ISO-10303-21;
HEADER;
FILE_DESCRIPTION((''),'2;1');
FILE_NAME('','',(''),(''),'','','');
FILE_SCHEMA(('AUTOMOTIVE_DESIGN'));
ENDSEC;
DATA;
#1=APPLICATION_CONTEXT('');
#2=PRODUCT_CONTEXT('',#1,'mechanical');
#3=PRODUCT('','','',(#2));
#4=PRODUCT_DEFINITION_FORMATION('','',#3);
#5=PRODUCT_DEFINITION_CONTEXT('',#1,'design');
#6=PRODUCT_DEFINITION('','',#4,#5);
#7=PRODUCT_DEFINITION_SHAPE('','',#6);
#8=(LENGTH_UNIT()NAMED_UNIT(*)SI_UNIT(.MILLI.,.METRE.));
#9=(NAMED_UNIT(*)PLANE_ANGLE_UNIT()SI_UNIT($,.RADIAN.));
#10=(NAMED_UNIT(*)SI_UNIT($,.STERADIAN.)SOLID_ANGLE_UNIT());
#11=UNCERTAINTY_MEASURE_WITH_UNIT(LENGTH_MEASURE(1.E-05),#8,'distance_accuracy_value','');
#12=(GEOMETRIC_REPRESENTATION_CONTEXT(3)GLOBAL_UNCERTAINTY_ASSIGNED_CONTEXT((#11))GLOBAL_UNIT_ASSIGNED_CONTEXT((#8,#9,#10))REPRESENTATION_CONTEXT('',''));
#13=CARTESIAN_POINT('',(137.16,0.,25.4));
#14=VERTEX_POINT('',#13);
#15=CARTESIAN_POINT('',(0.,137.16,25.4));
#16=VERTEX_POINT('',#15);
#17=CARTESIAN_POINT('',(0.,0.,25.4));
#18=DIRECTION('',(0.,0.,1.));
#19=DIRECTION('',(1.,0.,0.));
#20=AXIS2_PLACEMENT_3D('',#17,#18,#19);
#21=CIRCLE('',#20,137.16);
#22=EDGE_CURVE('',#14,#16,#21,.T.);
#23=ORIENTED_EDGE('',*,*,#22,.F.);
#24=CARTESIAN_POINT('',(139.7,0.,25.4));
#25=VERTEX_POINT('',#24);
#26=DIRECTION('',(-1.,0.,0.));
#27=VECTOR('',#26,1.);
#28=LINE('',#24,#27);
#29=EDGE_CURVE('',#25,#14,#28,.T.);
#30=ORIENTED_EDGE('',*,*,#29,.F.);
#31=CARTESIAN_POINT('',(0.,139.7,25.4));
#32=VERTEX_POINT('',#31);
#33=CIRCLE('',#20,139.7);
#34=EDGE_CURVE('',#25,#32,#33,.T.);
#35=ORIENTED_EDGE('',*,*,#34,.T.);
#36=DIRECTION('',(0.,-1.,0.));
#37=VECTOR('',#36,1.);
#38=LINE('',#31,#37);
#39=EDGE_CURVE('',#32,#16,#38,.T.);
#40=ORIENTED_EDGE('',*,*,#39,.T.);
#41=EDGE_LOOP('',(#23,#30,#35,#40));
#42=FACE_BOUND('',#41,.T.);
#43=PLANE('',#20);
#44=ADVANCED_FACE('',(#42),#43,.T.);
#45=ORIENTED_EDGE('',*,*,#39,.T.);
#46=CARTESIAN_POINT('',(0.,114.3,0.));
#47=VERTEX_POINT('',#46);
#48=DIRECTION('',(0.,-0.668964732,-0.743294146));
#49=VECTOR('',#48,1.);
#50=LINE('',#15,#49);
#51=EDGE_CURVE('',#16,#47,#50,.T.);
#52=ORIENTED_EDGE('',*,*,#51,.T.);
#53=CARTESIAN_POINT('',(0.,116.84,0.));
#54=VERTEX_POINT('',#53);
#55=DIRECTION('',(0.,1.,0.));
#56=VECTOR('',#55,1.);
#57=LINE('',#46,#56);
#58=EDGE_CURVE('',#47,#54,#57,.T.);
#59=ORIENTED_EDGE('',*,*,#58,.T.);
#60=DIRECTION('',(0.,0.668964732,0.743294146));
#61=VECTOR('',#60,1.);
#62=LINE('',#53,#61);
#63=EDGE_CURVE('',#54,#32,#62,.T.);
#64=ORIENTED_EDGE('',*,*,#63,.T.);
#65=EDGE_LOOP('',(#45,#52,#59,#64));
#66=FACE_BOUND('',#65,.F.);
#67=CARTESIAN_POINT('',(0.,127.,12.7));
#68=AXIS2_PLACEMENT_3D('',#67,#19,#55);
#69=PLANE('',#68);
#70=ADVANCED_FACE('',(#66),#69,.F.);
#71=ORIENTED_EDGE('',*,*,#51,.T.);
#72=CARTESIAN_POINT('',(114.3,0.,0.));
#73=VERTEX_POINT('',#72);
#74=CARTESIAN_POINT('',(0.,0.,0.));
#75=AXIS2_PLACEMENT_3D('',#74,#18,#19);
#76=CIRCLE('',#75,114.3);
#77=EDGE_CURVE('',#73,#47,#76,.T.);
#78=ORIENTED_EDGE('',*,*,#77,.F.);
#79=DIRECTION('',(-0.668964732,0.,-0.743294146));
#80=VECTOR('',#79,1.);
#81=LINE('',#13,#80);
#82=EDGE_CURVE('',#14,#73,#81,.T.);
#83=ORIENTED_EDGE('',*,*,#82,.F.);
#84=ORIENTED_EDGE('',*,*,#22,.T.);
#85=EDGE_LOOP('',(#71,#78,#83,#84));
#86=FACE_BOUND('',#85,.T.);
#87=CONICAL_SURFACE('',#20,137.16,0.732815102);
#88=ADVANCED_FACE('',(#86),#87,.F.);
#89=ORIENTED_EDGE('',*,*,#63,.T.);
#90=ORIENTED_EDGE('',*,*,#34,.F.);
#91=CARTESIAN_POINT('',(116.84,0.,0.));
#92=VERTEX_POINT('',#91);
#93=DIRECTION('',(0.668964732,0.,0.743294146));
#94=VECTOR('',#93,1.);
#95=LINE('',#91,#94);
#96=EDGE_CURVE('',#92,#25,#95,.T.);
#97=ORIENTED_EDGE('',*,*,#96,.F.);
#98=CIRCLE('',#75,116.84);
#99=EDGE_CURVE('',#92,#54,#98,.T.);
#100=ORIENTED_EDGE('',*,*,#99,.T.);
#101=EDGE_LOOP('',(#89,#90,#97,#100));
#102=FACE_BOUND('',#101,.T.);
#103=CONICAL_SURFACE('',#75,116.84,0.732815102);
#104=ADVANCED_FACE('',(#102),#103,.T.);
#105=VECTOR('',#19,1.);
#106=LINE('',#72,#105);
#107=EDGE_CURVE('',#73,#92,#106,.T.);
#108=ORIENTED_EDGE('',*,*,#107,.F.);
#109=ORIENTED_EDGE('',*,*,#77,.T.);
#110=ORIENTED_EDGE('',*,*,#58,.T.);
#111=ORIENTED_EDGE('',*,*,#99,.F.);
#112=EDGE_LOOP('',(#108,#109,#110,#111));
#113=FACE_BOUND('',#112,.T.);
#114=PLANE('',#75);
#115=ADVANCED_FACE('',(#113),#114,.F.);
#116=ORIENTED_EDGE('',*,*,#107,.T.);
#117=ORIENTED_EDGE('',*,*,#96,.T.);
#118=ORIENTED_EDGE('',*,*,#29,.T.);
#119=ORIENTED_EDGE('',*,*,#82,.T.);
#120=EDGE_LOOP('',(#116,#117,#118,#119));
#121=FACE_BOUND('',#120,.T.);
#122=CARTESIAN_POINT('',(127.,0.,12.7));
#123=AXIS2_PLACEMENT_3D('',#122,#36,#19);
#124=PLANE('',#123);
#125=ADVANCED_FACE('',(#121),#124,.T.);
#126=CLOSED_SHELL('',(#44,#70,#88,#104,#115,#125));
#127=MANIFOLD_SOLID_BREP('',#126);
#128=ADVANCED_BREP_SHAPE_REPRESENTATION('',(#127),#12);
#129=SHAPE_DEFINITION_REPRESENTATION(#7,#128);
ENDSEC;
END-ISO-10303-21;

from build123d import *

# Parameters (mm, degrees)
F1_ANGLE = 90


with BuildPart() as f1:
    # F0 (on Front) → F1 (revolve)
    with BuildSketch(Plane.XZ):
        Polygon((114.3, 0), (116.84, 0), (139.7, 25.4), (137.16, 25.4), align=None)
    revolve(axis=Axis((0, 0, 12.7), (0, 0, 1)), revolution_arc=F1_ANGLE)


solid = f1.part
